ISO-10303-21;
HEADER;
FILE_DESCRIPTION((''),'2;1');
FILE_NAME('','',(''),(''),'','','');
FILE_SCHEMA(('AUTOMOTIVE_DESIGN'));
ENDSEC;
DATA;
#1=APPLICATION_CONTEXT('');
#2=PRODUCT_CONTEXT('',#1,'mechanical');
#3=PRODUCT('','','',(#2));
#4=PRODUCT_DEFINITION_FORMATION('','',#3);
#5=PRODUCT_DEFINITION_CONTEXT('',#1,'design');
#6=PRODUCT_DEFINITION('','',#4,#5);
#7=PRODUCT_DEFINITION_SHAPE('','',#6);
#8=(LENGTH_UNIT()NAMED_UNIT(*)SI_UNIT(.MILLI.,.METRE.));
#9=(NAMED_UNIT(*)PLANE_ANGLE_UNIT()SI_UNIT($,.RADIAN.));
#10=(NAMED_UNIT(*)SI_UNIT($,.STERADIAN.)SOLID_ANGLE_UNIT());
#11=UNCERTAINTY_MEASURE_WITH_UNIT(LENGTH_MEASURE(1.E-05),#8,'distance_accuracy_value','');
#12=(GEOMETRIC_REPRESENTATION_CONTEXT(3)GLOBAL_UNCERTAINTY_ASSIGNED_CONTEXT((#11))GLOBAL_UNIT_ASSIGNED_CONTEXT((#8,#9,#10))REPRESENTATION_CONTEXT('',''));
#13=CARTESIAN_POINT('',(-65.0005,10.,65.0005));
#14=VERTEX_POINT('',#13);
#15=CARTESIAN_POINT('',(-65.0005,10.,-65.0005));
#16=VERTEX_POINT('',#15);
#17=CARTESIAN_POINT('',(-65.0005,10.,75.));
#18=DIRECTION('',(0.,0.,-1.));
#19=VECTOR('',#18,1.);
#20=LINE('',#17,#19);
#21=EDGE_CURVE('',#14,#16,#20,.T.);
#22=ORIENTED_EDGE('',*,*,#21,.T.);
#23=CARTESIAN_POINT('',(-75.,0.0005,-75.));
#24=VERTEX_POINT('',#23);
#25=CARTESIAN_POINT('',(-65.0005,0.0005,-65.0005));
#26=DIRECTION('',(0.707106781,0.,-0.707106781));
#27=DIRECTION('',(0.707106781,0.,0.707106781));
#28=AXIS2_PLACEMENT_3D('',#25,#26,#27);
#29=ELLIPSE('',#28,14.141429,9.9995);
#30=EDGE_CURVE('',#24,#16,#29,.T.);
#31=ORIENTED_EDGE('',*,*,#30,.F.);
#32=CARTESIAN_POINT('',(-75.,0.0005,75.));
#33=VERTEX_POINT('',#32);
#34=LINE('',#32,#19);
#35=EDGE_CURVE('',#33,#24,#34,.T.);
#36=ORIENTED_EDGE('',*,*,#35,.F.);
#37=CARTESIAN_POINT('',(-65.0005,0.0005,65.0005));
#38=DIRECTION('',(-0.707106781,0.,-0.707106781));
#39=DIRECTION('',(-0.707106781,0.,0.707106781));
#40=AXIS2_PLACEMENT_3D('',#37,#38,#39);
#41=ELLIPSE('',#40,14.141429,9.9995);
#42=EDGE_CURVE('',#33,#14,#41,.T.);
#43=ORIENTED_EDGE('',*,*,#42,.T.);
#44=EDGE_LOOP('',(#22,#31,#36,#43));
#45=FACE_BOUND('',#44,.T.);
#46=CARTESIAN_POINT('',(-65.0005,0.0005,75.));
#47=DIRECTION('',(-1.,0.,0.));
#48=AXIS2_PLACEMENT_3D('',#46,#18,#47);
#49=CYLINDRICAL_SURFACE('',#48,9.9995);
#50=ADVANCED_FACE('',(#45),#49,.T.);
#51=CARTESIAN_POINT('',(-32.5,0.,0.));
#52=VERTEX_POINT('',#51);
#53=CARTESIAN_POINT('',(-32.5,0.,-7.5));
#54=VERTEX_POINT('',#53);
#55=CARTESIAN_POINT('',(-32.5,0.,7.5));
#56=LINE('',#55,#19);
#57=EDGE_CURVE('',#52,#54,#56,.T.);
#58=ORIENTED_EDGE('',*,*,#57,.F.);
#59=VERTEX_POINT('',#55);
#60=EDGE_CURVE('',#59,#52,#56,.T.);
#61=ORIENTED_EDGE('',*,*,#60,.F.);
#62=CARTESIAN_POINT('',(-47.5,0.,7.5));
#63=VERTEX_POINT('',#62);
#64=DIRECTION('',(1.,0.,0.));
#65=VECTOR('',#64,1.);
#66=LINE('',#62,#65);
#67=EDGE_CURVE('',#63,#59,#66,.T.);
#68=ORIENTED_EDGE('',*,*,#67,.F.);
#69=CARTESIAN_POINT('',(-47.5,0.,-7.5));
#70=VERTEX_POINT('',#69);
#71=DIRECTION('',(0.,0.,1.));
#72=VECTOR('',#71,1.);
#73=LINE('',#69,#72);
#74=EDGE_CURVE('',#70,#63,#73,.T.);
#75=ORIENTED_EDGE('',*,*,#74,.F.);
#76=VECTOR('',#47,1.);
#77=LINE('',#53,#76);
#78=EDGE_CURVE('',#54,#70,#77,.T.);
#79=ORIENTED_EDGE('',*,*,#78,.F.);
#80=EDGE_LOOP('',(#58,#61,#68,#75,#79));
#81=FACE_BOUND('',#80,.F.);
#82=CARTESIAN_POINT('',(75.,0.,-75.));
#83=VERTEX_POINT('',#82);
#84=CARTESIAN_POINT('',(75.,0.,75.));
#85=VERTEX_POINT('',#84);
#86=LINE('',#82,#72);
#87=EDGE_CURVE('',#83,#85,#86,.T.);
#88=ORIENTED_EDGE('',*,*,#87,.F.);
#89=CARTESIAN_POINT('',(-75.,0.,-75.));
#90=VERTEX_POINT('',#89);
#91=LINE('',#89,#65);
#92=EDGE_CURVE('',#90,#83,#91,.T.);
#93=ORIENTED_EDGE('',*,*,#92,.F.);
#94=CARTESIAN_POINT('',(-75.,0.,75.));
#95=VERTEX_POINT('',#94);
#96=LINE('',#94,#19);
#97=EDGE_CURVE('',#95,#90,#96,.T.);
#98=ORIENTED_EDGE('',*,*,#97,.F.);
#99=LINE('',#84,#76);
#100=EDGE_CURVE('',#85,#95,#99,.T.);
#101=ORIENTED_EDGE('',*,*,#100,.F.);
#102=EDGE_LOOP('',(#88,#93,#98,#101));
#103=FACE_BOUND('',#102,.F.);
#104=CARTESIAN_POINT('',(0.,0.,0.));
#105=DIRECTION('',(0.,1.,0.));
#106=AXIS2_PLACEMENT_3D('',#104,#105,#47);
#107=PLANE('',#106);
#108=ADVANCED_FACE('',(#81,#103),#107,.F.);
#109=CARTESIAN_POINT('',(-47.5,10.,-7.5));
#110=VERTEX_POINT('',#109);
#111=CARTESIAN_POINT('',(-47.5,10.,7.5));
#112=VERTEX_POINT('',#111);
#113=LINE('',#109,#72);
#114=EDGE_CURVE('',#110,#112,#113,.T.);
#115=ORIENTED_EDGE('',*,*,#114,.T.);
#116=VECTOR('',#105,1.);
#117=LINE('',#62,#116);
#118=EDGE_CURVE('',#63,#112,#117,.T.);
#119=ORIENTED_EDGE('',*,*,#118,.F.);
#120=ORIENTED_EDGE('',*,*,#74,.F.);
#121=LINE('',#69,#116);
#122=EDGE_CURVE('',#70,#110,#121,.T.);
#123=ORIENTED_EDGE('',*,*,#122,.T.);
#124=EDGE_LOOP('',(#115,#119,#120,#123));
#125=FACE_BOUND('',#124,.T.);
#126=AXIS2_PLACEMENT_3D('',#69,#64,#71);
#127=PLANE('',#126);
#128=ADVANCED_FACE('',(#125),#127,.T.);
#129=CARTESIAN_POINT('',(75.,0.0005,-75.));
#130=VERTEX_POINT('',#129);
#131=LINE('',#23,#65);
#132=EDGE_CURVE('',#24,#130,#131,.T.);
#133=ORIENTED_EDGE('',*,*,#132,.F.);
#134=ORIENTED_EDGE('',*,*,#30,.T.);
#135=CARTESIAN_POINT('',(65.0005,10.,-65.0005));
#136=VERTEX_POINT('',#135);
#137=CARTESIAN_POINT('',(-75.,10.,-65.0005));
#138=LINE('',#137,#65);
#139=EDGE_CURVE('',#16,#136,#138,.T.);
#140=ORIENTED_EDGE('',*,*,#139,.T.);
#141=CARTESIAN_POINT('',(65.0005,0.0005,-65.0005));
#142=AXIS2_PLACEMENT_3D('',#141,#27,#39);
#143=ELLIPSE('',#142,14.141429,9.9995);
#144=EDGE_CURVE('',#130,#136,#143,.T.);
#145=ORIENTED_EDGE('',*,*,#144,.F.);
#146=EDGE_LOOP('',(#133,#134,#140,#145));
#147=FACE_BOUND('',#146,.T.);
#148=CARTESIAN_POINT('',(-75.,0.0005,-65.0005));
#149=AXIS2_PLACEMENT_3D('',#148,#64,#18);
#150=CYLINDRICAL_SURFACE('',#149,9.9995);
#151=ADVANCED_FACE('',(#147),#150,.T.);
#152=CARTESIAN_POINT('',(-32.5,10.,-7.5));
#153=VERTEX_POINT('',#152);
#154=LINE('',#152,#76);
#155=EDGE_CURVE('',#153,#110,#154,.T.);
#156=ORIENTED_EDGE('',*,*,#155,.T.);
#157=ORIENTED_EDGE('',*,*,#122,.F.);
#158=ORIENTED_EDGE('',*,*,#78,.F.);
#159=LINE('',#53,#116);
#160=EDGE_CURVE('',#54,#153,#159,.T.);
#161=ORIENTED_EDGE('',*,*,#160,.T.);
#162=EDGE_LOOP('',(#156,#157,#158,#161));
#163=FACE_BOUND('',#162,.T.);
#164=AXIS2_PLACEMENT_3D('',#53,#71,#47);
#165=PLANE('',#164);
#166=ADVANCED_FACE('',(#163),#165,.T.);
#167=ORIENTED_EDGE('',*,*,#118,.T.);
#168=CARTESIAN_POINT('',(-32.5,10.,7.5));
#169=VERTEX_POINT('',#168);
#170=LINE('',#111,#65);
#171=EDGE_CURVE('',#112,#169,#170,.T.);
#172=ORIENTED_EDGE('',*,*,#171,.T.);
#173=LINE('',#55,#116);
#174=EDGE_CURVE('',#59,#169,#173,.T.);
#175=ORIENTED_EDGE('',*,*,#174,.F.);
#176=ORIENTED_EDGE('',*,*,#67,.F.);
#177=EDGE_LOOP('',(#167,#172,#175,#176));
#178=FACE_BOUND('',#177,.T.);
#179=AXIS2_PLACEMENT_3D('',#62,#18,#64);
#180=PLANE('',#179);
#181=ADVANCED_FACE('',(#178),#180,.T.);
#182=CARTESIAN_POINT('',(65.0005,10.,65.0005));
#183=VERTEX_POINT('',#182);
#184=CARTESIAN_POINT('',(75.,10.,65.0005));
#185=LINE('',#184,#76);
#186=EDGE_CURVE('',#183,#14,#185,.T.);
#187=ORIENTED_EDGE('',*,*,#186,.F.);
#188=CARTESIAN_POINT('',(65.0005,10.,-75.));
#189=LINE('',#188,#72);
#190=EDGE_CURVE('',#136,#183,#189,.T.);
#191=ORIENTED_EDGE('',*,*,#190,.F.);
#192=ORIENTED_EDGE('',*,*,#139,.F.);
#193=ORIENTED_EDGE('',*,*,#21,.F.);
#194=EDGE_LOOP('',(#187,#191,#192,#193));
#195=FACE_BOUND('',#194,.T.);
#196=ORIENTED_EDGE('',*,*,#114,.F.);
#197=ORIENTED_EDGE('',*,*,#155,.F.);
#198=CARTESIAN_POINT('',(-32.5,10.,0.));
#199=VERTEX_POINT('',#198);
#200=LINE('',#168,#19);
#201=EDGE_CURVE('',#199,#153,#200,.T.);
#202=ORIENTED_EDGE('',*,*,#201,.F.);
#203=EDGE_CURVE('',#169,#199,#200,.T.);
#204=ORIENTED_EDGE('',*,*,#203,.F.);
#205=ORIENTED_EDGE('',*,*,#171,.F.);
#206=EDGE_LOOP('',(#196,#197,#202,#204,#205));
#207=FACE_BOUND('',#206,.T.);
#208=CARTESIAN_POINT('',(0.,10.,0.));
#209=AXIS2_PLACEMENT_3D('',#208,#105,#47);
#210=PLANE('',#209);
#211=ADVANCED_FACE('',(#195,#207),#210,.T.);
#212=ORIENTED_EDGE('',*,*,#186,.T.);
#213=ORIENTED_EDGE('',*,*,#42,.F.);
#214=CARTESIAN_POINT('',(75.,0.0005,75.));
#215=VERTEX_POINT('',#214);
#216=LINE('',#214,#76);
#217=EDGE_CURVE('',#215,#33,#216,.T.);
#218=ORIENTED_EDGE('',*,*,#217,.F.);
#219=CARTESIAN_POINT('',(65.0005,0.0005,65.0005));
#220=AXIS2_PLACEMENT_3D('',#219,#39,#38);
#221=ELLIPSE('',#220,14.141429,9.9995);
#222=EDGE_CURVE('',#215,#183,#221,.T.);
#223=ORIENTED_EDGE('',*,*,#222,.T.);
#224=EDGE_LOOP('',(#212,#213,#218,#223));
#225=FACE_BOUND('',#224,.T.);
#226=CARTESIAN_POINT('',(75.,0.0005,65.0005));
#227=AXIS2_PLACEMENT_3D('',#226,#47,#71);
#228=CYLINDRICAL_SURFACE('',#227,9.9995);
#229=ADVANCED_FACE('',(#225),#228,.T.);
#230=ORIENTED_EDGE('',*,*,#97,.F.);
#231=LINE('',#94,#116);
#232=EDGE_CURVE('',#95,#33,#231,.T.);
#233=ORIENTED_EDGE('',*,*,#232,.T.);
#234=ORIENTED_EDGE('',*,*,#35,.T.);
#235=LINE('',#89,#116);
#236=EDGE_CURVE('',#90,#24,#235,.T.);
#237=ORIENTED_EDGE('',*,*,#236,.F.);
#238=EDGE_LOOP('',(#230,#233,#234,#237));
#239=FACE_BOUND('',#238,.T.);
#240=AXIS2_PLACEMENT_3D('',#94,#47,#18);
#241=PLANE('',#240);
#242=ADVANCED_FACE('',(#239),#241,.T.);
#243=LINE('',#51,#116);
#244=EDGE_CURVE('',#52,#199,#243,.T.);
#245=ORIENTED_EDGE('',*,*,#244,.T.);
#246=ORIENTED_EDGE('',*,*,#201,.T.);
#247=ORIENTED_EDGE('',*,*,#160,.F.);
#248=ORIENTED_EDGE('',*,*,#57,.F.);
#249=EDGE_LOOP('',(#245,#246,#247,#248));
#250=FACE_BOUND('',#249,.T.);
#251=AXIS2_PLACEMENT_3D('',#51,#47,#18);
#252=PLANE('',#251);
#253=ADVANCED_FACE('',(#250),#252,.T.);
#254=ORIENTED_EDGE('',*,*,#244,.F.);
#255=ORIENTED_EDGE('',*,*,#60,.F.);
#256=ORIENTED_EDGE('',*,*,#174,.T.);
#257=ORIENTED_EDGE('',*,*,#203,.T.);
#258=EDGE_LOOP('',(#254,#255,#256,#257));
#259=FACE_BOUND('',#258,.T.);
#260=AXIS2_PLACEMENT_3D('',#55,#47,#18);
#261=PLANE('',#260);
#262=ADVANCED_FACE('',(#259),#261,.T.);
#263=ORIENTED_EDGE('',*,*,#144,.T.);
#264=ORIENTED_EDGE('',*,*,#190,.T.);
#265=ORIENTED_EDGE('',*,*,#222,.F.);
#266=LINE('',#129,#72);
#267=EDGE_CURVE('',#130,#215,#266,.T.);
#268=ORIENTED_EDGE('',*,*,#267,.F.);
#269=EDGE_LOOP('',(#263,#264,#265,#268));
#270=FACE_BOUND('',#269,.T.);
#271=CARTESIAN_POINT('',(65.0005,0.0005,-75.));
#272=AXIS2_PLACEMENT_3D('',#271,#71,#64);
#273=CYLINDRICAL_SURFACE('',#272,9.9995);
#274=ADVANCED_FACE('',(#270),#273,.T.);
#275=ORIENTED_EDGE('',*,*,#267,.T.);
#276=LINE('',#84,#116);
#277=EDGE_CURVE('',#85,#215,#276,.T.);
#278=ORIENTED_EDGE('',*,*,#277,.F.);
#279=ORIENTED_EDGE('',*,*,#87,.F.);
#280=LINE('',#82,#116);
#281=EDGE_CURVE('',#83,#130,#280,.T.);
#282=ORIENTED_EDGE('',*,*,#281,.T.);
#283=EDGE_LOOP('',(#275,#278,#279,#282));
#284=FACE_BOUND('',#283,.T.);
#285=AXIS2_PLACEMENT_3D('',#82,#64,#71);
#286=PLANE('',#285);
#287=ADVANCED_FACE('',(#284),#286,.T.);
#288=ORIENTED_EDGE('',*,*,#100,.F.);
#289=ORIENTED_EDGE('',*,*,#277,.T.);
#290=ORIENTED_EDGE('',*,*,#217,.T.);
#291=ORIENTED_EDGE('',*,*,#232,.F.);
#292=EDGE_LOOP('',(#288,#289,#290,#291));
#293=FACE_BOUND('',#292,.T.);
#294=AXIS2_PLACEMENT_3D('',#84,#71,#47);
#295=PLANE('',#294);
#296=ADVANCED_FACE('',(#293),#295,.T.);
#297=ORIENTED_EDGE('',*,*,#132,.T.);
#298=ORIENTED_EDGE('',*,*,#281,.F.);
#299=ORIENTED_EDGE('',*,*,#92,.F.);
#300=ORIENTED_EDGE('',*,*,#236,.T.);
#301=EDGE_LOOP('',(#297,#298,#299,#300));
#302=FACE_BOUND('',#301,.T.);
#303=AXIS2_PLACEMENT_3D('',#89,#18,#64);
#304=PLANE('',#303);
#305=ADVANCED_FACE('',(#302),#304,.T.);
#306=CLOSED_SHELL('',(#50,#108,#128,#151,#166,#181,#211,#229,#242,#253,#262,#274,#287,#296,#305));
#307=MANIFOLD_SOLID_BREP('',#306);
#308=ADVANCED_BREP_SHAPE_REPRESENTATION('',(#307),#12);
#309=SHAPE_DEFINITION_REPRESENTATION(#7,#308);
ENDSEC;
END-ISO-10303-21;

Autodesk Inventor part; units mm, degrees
ref_plane "YZ Plane" through (0, 0, 0) normal (1, 0, 0) x (0, 1, 0)
ref_plane "XZ Plane" through (0, 0, 0) normal (0, 1, 0) x (-1, 0, 0)
ref_plane "XY Plane" through (0, 0, 0) normal (0, 0, 1) x (1, 0, 0)
sketch "Szkic1" plane through (0, 0, 0) normal (0, 1, 0) x (-1, 0, 0)
  line L0 (-75, 75) -> (75, 75)
  line L1 (75, 75) -> (75, -75)
  line L2 (75, -75) -> (-75, -75)
  line L3 (-75, -75) -> (-75, 75)
  line L4 (-75, 75) -> (75, -75) construction
  line L5 (75, 75) -> (-75, -75) construction
  line L6 (-10, 10) -> (10, -10) construction
  line L7 (10, 10) -> (-10, -10) construction
  line L8 (0, 0) -> (40, 0)
  line L9 (0, 0) -> (40, 0) construction
  line L10 (47.5, 7.5) -> (32.5, 7.5)
  line L11 (32.5, 7.5) -> (32.5, -7.5)
  line L12 (32.5, -7.5) -> (47.5, -7.5)
  line L13 (47.5, -7.5) -> (47.5, 7.5)
  line L14 (47.5, 7.5) -> (32.5, -7.5) construction
  line L15 (32.5, 7.5) -> (47.5, -7.5) construction
  dimension "d0" = 150
  dimension "d1" = 150
  dimension "d7" = 40
  dimension "d8" = 0
  dimension "d9" = 15
  dimension "d10" = 15
extrude "Wyciągnięcie proste1" add sketch "Szkic1" along normal blind 10
fillet "Zaokrąglenie1" radius 10 4 edges at (0, 10, 75) (75, 10, 0) (0, 10, -75) (-75, 10, 0)
properties part number "podstawa"
